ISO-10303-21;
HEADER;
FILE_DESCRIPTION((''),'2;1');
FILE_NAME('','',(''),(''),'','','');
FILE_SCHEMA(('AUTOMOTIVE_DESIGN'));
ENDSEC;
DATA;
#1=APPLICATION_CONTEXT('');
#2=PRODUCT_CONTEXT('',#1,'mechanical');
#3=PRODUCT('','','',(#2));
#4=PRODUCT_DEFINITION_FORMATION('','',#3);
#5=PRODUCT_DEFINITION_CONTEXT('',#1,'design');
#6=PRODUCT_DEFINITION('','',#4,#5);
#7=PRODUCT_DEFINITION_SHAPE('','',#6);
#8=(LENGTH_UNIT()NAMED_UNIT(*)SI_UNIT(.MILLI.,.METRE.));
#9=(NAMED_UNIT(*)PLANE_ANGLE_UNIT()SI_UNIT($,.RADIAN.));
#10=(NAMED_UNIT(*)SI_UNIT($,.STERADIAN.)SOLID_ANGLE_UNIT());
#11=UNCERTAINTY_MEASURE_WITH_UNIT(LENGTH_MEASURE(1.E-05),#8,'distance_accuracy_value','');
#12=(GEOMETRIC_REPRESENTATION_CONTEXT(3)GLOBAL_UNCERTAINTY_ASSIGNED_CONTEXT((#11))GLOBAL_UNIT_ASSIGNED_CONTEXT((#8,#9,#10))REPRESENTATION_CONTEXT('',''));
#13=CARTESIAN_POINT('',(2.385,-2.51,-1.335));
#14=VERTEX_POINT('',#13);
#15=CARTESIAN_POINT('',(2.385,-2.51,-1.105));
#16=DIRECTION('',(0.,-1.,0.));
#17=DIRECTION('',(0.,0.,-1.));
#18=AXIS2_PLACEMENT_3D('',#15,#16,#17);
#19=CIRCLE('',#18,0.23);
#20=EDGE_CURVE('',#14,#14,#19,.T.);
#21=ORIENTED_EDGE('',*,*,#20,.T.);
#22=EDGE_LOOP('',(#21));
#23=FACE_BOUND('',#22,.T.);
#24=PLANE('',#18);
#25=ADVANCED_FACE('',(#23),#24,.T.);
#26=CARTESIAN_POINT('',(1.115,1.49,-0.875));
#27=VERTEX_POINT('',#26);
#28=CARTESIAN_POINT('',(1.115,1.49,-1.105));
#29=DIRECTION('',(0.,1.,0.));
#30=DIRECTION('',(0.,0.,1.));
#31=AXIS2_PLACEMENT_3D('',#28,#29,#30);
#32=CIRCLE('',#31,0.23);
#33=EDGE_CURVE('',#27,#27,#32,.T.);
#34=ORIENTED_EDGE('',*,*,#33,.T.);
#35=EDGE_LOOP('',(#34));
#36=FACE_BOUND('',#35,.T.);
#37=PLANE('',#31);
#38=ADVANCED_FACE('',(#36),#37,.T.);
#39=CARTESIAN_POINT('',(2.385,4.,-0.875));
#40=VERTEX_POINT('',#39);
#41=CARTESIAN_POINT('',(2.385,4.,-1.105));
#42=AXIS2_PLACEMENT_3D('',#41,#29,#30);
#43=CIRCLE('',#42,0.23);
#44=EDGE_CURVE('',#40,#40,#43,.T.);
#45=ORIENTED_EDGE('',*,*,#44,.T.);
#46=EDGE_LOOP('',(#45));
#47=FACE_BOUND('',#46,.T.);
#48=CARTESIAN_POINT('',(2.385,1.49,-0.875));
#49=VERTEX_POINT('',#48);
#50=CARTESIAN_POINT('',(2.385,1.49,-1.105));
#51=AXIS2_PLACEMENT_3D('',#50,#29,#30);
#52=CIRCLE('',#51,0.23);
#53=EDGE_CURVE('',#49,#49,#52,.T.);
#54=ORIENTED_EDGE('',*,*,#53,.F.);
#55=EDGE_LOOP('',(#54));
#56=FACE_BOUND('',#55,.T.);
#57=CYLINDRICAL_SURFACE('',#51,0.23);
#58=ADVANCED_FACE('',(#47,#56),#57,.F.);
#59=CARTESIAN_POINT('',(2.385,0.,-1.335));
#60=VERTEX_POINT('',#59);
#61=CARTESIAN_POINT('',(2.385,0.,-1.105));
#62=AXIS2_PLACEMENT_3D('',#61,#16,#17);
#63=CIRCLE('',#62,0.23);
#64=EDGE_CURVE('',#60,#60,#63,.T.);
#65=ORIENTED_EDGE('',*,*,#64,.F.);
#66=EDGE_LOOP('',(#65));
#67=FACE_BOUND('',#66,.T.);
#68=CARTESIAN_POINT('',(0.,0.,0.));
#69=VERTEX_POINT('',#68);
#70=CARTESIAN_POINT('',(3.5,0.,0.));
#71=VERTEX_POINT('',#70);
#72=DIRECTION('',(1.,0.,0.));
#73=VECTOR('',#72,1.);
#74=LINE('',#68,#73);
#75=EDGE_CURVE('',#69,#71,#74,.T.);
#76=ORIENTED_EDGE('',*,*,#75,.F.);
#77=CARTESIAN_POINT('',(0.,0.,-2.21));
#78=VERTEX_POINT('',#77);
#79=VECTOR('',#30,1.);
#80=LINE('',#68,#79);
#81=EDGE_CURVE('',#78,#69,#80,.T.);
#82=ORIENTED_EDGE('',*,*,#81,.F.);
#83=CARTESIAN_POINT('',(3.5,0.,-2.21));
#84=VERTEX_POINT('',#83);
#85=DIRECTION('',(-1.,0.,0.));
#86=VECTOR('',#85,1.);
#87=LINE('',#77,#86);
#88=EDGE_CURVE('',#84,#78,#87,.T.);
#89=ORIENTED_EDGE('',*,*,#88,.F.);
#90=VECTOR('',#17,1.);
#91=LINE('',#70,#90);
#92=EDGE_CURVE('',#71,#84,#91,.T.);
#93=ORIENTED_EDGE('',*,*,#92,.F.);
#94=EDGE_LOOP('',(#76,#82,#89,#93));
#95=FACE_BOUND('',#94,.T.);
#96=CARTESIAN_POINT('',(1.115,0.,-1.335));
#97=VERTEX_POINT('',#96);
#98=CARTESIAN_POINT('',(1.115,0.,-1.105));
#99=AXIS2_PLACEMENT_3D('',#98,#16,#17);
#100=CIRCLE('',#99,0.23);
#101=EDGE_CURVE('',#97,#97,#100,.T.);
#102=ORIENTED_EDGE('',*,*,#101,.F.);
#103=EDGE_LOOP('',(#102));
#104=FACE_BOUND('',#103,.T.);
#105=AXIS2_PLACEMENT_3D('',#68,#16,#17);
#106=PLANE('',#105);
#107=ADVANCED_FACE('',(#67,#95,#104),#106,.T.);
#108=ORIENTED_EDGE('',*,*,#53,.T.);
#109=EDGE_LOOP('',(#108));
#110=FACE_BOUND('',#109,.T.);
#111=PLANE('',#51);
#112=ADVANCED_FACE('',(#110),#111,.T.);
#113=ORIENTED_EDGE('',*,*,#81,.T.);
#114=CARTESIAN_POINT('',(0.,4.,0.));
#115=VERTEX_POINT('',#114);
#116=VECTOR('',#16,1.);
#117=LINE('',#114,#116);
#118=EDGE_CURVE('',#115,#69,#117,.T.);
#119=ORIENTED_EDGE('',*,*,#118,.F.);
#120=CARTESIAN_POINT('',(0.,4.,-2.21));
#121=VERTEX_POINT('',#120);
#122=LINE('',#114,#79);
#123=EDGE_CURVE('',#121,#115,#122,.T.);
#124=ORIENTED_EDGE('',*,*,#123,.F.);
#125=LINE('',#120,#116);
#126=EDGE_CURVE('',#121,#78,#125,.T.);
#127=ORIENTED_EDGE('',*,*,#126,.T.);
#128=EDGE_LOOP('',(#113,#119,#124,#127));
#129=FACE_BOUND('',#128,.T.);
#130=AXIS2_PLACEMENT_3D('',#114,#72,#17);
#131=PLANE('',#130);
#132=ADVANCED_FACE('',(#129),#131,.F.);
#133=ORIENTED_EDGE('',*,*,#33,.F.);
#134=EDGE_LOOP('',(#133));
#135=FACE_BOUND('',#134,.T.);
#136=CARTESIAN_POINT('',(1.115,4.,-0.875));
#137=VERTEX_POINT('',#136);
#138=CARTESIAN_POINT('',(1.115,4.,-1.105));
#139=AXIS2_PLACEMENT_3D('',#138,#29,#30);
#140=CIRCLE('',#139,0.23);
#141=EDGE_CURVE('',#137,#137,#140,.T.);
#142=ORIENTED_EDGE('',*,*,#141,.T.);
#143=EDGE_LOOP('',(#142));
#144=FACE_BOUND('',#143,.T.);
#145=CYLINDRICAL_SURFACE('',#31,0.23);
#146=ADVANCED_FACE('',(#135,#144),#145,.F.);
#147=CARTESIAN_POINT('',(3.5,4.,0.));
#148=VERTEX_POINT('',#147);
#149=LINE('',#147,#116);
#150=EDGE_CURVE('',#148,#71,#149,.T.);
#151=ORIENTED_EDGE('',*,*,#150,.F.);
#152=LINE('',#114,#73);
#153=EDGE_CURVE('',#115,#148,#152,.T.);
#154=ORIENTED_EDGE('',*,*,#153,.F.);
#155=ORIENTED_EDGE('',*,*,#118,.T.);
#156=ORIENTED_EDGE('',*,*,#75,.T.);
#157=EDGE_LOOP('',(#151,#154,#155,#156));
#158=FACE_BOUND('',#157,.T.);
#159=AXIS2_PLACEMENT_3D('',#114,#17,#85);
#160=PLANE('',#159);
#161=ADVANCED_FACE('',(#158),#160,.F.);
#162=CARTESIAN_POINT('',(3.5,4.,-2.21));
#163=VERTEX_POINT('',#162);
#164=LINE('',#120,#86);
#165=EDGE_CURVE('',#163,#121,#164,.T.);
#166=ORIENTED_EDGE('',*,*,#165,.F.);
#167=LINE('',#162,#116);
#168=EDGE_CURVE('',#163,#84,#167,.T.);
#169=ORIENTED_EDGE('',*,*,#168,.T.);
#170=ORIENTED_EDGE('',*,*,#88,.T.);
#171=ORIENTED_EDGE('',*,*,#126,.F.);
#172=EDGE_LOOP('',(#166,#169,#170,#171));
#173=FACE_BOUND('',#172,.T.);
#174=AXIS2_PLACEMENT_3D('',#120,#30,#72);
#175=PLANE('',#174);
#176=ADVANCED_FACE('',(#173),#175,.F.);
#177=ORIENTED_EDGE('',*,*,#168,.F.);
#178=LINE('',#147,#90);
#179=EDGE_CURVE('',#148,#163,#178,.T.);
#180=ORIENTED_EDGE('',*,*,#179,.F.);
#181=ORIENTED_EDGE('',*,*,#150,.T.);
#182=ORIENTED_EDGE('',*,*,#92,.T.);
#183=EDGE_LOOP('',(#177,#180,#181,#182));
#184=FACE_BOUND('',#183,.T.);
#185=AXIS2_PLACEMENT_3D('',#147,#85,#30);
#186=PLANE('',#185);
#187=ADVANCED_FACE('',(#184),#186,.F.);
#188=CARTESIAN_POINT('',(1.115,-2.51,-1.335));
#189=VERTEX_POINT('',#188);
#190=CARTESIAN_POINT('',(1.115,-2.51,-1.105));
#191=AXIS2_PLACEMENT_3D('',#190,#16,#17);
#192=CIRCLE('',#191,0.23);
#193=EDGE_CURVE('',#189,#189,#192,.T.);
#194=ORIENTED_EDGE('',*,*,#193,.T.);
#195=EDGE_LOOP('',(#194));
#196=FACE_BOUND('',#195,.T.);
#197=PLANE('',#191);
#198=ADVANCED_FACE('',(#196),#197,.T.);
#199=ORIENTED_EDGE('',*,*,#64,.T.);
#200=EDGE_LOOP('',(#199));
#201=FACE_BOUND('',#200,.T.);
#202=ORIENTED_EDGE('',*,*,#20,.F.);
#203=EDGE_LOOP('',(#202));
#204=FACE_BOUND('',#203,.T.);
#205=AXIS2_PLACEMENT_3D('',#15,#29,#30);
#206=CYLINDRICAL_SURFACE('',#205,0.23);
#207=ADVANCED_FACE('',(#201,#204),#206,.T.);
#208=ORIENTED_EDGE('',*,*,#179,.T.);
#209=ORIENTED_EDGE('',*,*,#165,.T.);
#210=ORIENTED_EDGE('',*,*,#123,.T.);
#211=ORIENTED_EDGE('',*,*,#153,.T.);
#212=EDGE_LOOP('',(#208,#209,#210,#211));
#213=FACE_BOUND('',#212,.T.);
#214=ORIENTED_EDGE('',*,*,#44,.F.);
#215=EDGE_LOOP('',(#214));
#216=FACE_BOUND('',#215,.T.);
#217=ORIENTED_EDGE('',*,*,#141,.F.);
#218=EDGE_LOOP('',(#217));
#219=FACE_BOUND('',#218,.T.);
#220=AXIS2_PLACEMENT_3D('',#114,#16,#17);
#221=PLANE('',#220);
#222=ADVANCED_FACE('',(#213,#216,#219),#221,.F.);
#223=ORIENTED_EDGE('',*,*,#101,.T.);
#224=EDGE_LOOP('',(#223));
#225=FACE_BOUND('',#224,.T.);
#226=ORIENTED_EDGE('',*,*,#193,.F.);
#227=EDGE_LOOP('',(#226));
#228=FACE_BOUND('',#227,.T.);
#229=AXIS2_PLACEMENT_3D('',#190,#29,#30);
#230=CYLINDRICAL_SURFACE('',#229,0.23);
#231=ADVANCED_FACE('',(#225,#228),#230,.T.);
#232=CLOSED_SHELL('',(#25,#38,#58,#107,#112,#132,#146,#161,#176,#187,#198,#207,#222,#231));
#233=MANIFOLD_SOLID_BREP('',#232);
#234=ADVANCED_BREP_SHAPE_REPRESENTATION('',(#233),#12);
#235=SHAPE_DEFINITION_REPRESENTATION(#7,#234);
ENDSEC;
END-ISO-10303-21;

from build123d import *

# Parameters (mm, degrees)
SKETCH1_W           = 3.5
SKETCH1_H           = 2.21
BOSS_EXTRUDE1_DEPTH = 4
SKETCH2_R           = 0.23
BOSS_EXTRUDE2_DEPTH = 2.51
SKETCH3_R           = 0.23
CUT_EXTRUDE1_DEPTH  = 2.51


with BuildPart() as part:
    # Sketch1 → Boss-Extrude1 (new body)
    with BuildSketch(Plane(origin=(0, 0, 0), x_dir=(1, 0, 0), z_dir=(0, 1, 0))):
        with Locations((1.75, 1.105)):
            Rectangle(SKETCH1_W, SKETCH1_H)
    extrude(amount=BOSS_EXTRUDE1_DEPTH)

    # Sketch2 → Boss-Extrude2 (add)
    with BuildSketch(Plane.XZ):
        with Locations(Location((1.115, -1.105, 0), (0, 0, 270))):
            Circle(SKETCH2_R)
        with Locations(Location((2.385, -1.105, 0), (0, 0, 270))):
            Circle(SKETCH2_R)
    extrude(amount=BOSS_EXTRUDE2_DEPTH)

    # Sketch3 → Cut-Extrude1 (cut)
    with BuildSketch(Plane(origin=(0, 4, 0), x_dir=(1, 0, 0), z_dir=(0, 1, 0))):
        with Locations(Location((2.385, 1.105, 0), (0, 0, 90))):
            Circle(SKETCH3_R)
        with Locations(Location((1.115, 1.105, 0), (0, 0, 90))):
            Circle(SKETCH3_R)
    extrude(amount=-CUT_EXTRUDE1_DEPTH, mode=Mode.SUBTRACT)


solid = part.part
